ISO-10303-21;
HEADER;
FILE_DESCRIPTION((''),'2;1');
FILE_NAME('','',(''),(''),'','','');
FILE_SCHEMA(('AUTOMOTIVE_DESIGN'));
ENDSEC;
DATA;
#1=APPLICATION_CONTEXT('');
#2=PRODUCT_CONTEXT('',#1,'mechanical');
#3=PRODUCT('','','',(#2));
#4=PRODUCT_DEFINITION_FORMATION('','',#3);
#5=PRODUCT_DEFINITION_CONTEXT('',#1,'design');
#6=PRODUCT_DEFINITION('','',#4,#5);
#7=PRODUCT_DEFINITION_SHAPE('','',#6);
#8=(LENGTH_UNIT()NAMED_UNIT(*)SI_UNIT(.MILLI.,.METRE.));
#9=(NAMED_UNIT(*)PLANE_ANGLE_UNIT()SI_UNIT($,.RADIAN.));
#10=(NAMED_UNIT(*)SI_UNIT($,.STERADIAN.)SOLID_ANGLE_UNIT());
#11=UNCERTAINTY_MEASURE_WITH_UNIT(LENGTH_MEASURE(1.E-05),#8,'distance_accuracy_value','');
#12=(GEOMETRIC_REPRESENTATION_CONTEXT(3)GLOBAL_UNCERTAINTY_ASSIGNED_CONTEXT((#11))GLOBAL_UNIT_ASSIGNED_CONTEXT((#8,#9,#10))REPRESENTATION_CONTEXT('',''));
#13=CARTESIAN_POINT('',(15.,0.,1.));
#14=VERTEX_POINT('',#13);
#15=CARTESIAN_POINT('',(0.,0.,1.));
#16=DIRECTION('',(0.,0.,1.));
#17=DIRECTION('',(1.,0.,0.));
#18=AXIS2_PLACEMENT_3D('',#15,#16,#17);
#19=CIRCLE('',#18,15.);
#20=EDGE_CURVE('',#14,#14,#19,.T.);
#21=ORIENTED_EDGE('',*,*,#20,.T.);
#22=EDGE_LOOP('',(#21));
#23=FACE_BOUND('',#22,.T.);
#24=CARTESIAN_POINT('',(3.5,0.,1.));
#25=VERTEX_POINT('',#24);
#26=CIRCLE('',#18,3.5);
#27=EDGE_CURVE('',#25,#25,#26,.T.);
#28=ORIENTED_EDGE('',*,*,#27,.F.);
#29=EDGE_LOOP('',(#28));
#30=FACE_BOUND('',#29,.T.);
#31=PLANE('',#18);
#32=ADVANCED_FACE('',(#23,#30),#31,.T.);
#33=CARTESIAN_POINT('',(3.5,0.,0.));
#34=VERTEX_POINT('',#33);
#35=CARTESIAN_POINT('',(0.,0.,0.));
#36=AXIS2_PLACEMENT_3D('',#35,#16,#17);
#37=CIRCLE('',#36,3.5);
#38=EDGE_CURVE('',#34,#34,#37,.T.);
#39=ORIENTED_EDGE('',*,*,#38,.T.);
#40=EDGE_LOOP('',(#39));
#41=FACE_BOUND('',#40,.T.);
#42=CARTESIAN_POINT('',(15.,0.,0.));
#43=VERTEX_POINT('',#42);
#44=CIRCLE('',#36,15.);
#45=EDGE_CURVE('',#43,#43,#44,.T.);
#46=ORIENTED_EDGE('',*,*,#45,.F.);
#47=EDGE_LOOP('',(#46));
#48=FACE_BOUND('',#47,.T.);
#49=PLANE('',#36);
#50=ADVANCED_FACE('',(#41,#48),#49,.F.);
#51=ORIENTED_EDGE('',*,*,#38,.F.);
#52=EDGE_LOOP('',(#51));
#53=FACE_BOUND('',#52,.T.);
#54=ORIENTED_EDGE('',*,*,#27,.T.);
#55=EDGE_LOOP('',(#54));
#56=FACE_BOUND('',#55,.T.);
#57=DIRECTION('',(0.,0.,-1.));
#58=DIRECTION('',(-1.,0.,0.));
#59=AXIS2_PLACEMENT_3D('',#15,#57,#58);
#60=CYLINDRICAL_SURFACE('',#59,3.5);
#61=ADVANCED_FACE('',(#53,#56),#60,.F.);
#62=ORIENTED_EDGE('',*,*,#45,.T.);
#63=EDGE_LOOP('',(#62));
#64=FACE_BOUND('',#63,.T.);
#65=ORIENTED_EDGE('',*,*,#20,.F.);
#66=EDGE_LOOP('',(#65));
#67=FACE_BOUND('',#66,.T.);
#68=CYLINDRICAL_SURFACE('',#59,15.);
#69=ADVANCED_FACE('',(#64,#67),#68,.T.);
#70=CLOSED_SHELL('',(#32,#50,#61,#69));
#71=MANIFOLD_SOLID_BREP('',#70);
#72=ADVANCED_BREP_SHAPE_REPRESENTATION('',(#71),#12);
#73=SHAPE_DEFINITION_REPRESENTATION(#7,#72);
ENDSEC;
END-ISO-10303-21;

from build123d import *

# Parameters (mm, degrees)
CROQUIS1_R              = 15
CROQUIS1_R_2            = 3.5
SALIENTE_EXTRUIR1_DEPTH = 1


with BuildPart() as part:
    # Croquis1 → Saliente-Extruir1 (new body)
    with BuildSketch(Plane.XY):
        Circle(CROQUIS1_R)
        Circle(CROQUIS1_R_2, mode=Mode.SUBTRACT)
    extrude(amount=SALIENTE_EXTRUIR1_DEPTH)


solid = part.part
